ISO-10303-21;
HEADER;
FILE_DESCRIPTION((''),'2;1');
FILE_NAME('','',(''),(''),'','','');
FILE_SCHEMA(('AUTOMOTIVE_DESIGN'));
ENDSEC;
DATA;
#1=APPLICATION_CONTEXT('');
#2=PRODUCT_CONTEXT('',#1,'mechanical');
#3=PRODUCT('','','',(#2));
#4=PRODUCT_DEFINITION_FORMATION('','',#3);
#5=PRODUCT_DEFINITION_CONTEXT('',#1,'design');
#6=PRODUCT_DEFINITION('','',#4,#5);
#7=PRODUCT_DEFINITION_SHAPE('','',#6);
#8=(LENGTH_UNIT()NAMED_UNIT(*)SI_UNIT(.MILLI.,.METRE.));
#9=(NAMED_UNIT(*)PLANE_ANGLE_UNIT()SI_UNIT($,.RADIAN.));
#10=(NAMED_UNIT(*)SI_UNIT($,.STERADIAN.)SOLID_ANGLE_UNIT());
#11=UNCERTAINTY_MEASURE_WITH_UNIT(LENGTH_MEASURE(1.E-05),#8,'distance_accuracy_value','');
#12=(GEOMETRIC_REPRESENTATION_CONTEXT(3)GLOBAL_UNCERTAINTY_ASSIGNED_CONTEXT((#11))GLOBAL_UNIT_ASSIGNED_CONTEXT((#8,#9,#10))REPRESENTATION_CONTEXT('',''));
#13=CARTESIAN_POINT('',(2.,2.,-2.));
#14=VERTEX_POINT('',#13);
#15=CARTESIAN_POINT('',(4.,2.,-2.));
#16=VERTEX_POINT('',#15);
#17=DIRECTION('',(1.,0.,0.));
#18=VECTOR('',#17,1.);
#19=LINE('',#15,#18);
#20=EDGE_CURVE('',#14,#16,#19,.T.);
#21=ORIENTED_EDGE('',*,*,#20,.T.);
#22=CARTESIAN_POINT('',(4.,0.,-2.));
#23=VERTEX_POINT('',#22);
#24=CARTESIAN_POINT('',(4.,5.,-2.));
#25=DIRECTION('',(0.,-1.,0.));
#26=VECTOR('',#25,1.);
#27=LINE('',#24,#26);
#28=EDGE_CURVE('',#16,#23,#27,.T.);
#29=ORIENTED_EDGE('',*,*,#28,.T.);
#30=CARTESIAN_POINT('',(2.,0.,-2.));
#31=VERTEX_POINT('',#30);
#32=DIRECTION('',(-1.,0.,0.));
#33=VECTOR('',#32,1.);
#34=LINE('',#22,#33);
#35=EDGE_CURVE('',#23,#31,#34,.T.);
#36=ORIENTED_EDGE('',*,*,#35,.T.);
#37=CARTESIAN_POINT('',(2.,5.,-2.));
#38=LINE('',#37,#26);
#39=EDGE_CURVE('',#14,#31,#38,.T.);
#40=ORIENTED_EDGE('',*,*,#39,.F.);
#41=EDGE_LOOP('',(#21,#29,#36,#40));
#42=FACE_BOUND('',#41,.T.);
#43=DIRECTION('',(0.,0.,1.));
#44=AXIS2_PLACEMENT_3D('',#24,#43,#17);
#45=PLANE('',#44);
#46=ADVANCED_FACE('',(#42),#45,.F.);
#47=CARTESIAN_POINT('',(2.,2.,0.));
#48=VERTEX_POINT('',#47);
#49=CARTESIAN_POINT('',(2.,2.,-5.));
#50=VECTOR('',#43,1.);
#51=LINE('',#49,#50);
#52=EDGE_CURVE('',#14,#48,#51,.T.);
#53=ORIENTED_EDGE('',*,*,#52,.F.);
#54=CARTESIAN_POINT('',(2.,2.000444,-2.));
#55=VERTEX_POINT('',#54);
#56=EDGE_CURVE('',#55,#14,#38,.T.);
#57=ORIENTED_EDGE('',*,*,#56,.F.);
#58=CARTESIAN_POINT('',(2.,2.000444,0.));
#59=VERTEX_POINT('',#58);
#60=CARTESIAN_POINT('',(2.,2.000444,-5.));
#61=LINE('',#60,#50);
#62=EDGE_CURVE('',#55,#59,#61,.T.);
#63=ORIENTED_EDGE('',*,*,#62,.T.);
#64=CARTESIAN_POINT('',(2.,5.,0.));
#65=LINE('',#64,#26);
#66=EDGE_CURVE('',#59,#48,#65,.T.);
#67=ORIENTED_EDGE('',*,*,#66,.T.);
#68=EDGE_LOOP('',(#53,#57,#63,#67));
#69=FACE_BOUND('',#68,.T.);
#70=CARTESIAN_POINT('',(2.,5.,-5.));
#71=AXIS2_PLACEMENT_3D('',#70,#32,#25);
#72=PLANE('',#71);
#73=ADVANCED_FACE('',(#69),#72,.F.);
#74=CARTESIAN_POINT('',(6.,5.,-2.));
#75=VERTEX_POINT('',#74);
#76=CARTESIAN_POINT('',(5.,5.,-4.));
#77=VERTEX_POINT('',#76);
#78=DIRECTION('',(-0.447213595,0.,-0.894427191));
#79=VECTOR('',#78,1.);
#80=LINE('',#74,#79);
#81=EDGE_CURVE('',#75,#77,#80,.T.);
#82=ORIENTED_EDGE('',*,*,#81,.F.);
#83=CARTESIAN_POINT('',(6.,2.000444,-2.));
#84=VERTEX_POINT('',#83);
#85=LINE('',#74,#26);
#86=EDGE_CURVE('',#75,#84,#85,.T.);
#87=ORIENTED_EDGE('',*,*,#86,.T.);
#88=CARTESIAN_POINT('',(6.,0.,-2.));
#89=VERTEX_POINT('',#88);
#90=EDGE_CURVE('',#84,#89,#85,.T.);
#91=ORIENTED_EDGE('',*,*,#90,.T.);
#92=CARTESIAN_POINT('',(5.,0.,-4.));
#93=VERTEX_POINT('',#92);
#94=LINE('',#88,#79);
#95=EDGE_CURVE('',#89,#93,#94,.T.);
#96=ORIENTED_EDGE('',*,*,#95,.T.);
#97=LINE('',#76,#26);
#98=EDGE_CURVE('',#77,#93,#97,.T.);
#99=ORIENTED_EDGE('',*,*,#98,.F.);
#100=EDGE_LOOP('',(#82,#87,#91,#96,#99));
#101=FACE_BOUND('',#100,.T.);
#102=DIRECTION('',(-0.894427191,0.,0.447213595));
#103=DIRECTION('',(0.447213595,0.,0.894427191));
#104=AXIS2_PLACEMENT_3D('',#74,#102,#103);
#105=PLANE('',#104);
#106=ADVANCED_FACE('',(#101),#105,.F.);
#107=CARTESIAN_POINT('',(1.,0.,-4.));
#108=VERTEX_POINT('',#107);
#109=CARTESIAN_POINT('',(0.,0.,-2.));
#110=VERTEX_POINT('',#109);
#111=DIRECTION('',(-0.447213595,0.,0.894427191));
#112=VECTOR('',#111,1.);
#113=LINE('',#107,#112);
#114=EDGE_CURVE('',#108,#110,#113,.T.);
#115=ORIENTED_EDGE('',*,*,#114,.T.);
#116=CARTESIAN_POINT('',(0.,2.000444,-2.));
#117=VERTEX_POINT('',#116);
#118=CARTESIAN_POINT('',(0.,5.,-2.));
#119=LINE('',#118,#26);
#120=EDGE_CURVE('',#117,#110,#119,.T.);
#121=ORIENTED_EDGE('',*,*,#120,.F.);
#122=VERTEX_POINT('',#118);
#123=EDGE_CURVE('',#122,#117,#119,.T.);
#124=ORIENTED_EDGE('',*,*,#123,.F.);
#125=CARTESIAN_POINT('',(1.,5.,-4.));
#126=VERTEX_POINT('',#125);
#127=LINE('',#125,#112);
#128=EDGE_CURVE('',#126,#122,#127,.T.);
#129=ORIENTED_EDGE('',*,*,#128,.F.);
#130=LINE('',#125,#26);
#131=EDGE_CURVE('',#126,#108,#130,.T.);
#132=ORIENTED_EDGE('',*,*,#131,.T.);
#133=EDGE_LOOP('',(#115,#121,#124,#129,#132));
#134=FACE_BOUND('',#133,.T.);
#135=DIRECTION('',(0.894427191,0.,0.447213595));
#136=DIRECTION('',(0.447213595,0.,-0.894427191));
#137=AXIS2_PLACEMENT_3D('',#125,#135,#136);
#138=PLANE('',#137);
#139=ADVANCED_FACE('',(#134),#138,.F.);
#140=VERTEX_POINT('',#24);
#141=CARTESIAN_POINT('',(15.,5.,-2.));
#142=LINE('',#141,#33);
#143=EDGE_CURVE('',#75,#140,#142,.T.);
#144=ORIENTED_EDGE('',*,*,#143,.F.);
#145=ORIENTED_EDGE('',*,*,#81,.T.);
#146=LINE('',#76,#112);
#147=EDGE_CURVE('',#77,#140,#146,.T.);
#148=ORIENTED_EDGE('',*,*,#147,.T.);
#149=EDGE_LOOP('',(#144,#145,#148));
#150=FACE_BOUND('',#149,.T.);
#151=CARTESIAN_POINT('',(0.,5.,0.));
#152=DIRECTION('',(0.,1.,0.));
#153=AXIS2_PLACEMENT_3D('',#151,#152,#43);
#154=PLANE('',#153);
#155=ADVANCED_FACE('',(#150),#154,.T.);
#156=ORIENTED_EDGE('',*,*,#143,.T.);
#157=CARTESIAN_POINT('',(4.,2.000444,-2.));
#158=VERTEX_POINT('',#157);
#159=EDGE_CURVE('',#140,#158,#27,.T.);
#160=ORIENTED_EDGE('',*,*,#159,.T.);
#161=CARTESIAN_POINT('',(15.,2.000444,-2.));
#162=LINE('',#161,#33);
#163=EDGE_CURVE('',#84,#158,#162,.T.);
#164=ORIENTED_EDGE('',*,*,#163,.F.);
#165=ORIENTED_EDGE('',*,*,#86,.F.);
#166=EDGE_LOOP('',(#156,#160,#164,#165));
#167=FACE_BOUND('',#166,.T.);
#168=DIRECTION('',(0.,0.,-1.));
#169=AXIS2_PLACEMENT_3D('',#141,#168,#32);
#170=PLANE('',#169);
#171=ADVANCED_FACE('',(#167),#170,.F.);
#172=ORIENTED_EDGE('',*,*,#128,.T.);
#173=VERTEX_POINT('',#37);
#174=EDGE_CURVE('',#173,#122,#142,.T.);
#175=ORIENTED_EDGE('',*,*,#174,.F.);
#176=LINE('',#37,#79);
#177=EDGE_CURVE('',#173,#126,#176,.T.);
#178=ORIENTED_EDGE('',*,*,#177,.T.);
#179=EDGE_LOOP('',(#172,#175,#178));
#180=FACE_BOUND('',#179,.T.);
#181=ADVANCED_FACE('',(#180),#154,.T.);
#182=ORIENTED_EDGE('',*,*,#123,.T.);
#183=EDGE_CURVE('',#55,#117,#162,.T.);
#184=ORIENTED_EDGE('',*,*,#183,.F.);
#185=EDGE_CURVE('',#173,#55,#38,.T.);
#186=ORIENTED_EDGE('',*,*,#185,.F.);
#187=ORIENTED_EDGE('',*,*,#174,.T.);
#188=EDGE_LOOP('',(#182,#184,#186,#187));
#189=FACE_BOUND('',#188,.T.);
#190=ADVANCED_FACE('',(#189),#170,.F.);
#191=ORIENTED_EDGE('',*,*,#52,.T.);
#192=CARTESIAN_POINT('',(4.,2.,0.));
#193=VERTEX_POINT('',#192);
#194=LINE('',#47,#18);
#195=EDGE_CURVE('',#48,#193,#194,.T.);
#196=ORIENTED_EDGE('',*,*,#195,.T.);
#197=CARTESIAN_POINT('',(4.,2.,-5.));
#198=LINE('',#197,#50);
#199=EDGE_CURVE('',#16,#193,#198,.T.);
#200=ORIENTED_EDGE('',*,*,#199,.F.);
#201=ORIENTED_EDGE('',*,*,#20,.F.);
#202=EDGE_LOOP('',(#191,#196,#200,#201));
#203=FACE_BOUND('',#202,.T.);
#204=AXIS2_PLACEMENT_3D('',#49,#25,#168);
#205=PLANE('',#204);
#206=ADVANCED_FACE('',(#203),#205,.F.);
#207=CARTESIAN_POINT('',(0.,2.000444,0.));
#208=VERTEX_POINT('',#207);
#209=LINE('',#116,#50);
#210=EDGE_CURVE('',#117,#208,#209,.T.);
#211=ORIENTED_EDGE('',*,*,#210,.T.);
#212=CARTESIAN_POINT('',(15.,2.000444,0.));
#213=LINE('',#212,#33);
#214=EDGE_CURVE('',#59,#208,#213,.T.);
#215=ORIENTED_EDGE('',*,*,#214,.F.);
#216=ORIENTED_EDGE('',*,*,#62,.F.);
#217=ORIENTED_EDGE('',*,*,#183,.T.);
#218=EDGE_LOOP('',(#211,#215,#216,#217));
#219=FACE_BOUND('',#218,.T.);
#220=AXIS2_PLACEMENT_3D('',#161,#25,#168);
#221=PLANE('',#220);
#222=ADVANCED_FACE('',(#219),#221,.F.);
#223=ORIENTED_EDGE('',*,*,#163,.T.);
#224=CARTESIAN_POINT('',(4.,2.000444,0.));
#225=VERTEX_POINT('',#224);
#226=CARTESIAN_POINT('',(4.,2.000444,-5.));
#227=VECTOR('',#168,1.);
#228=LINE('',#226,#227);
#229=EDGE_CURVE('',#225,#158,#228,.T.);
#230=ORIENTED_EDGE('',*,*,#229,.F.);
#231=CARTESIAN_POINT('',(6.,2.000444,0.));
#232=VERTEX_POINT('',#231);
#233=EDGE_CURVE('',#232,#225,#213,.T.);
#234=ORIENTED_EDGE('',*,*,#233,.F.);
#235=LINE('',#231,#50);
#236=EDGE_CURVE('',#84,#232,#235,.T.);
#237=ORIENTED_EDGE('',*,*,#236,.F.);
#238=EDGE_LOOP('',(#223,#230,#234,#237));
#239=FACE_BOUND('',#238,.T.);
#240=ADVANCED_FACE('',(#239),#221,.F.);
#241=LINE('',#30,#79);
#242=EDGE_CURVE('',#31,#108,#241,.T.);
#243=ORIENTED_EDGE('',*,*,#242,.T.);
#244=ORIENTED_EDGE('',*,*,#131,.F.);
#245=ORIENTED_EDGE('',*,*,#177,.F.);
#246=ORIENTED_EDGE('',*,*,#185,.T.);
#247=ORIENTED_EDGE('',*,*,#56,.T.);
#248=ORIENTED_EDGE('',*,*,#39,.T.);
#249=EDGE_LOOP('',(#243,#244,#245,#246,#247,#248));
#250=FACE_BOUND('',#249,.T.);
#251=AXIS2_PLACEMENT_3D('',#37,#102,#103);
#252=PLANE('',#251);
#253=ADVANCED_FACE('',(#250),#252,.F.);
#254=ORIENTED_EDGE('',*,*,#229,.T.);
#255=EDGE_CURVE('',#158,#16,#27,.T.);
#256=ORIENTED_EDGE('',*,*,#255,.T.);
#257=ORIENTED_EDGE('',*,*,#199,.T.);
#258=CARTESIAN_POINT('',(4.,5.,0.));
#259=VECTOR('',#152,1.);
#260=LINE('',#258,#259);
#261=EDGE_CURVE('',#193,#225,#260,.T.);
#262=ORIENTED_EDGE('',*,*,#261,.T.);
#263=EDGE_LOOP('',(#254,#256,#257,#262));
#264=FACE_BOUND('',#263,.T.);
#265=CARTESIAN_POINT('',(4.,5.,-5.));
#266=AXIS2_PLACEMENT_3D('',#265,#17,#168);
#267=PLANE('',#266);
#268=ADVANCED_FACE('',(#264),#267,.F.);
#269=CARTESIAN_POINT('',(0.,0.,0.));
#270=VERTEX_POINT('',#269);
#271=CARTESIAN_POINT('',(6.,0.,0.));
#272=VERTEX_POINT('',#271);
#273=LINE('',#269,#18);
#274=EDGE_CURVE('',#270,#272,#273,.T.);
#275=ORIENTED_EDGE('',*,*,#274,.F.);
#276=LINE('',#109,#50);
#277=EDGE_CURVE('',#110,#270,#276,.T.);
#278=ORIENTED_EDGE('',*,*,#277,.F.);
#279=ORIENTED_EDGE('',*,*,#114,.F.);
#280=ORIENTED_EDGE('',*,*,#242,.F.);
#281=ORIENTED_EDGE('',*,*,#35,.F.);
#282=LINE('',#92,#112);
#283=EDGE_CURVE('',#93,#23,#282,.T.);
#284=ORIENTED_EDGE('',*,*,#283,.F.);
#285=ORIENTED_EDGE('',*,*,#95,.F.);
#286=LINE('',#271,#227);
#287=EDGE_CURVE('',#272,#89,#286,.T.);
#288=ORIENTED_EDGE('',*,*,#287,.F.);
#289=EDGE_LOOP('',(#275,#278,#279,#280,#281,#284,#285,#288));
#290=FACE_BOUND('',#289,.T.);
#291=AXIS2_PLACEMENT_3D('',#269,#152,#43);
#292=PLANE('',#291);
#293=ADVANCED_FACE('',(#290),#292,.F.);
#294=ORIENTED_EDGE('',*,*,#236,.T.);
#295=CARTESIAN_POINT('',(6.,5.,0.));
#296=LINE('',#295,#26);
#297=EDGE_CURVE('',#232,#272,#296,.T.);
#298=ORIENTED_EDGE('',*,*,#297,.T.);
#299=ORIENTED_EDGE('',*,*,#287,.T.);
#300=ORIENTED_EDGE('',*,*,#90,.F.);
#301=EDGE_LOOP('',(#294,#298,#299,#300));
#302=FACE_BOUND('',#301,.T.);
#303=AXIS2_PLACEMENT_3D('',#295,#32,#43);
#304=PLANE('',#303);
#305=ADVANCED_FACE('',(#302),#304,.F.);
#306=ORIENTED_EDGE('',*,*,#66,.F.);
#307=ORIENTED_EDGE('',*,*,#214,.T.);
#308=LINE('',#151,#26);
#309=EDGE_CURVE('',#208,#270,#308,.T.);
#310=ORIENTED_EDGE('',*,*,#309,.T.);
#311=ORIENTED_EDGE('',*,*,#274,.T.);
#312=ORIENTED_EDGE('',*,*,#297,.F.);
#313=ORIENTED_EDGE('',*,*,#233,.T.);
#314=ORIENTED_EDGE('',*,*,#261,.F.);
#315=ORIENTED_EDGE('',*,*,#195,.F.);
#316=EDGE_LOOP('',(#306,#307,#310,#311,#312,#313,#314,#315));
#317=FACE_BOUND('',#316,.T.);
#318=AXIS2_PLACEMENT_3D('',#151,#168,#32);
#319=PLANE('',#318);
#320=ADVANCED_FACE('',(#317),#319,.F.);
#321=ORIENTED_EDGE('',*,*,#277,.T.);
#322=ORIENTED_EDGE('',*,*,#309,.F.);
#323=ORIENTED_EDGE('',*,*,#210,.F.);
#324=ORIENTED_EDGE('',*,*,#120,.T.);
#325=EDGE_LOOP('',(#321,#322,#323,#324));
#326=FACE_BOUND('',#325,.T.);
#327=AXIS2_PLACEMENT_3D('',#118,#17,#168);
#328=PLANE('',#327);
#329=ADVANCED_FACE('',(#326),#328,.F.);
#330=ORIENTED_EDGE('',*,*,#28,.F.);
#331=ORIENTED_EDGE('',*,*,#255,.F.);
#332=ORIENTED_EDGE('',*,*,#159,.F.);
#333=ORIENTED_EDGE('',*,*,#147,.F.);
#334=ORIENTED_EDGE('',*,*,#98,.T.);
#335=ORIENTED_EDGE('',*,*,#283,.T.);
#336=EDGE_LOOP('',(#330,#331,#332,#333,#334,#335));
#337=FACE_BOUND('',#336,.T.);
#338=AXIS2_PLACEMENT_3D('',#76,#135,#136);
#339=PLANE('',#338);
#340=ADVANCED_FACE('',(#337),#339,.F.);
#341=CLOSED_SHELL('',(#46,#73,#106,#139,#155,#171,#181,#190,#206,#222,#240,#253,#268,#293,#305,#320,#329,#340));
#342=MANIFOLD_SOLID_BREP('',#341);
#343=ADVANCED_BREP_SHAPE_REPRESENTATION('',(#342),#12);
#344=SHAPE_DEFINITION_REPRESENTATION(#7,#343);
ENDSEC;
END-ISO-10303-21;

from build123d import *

# Parameters (mm, degrees)
BOSS_EXTRUDE1_DEPTH = 5
SKETCH2_W           = 2
SKETCH2_H           = 3
CUT_EXTRUDE1_DEPTH  = 5
SKETCH3_W           = 2
SKETCH3_H           = 2.999556198
CUT_EXTRUDE2_DEPTH  = 15


with BuildPart() as part:
    # Sketch1 → Boss-Extrude1 (new body)
    with BuildSketch(Plane(origin=(0, 0, 0), x_dir=(1, 0, 0), z_dir=(0, 1, 0))):
        Polygon((0, 0), (6, 0), (6, 2), (5, 4), (4, 2), (2, 2), (1, 4), (0, 2), align=None)
    extrude(amount=BOSS_EXTRUDE1_DEPTH)

    # Sketch2 → Cut-Extrude1 (cut)
    with BuildSketch(Plane.XY):
        with Locations((3, 3.5)):
            Rectangle(SKETCH2_W, SKETCH2_H)
    extrude(amount=-CUT_EXTRUDE1_DEPTH, mode=Mode.SUBTRACT)

    # Sketch3 → Cut-Extrude2 (cut)
    with BuildSketch(Plane.ZY):
        with Locations((-1, 3.500221901)):
            Rectangle(SKETCH3_W, SKETCH3_H)
    extrude(amount=-CUT_EXTRUDE2_DEPTH, mode=Mode.SUBTRACT)


solid = part.part
